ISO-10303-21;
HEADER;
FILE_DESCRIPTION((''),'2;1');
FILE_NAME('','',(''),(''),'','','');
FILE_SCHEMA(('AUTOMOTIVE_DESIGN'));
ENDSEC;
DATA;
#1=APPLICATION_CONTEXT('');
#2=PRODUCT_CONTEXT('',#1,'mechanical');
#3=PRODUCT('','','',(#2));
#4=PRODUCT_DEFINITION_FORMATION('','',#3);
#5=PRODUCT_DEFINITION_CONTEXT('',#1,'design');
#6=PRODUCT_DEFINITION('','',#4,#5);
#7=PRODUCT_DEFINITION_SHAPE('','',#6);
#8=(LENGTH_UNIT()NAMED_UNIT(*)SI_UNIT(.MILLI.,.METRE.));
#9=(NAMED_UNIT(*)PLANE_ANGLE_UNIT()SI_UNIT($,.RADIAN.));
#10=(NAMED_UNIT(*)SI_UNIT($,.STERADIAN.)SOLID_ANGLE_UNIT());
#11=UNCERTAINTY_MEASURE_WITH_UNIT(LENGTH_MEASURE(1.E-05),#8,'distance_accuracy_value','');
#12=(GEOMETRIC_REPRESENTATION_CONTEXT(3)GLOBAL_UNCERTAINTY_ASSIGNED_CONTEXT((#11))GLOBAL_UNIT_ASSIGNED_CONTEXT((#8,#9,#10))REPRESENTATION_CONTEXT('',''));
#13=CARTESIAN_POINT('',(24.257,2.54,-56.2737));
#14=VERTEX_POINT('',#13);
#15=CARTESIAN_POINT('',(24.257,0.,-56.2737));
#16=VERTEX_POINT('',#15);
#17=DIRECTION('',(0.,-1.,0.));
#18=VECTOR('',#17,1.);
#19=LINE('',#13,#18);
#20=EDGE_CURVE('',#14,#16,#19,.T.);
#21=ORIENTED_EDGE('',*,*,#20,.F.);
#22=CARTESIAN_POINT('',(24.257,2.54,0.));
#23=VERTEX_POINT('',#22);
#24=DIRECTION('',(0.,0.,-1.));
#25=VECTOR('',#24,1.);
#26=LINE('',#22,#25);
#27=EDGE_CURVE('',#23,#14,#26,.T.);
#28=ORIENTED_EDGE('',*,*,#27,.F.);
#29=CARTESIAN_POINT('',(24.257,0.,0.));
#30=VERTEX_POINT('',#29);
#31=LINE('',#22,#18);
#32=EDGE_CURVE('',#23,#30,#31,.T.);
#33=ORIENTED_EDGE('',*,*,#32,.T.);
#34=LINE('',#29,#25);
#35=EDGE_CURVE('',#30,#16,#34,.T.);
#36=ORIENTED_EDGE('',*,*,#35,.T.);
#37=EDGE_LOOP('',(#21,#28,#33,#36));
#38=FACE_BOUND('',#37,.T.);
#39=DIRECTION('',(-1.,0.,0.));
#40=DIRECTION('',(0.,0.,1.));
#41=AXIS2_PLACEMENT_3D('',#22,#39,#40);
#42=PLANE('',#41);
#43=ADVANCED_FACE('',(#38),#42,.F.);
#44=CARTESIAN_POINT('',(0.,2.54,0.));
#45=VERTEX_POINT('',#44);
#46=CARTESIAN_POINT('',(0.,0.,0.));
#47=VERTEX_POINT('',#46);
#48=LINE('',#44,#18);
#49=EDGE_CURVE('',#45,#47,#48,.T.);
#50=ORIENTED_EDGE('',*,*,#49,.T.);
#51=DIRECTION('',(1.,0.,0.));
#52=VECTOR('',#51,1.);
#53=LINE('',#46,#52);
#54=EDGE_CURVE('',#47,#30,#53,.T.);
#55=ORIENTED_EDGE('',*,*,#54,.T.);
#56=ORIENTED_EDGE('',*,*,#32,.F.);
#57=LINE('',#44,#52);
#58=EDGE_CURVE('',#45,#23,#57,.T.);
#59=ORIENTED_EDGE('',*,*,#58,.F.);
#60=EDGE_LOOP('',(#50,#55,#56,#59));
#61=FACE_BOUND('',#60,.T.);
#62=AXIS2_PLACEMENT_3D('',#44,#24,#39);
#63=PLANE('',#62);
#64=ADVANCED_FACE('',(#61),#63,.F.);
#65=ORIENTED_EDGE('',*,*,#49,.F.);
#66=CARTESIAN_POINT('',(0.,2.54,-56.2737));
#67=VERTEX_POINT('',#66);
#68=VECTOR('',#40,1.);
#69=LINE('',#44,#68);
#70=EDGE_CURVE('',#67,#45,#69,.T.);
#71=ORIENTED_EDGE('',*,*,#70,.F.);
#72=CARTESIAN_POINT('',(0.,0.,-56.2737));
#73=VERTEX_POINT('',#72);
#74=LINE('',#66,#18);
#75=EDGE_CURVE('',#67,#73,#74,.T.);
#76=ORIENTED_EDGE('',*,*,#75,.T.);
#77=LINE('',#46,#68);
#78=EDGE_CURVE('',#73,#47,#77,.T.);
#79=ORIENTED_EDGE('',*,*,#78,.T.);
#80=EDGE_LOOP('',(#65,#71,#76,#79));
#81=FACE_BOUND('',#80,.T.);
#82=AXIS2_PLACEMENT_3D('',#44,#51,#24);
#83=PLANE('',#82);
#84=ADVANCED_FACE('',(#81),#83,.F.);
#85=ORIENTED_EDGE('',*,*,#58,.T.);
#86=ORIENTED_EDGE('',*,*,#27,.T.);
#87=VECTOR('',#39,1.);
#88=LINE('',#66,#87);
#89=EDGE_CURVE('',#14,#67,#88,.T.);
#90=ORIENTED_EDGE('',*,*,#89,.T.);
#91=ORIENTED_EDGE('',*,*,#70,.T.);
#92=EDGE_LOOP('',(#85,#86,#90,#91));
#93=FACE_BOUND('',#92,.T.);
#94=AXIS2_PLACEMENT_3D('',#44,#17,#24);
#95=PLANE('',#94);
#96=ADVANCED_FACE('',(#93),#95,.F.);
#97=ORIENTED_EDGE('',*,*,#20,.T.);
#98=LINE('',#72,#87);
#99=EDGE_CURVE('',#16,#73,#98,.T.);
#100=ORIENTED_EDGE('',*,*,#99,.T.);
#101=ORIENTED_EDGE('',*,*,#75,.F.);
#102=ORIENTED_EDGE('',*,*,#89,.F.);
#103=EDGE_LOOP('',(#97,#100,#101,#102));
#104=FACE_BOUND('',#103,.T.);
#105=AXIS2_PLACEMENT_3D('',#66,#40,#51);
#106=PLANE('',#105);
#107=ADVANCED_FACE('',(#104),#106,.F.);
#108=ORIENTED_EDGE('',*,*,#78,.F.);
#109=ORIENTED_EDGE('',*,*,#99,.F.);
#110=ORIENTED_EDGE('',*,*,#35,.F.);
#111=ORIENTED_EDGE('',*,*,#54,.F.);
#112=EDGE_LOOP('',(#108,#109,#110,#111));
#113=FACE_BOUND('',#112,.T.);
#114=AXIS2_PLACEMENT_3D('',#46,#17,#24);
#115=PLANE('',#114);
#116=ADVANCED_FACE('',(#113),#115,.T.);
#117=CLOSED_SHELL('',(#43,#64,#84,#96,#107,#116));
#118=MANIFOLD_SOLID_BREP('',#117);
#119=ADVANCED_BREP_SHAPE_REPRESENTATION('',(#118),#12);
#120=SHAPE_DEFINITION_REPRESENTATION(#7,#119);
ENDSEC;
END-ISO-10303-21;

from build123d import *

# Parameters (mm, degrees)
SKETCH1_W           = 24.257
SKETCH1_H           = 56.2737
BOSS_EXTRUDE1_DEPTH = 2.54


with BuildPart() as part:
    # Sketch1 → Boss-Extrude1 (new body)
    with BuildSketch(Plane(origin=(0, 0, 0), x_dir=(1, 0, 0), z_dir=(0, 1, 0))):
        with Locations((12.1285, 28.13685)):
            Rectangle(SKETCH1_W, SKETCH1_H)
    extrude(amount=BOSS_EXTRUDE1_DEPTH)


solid = part.part
